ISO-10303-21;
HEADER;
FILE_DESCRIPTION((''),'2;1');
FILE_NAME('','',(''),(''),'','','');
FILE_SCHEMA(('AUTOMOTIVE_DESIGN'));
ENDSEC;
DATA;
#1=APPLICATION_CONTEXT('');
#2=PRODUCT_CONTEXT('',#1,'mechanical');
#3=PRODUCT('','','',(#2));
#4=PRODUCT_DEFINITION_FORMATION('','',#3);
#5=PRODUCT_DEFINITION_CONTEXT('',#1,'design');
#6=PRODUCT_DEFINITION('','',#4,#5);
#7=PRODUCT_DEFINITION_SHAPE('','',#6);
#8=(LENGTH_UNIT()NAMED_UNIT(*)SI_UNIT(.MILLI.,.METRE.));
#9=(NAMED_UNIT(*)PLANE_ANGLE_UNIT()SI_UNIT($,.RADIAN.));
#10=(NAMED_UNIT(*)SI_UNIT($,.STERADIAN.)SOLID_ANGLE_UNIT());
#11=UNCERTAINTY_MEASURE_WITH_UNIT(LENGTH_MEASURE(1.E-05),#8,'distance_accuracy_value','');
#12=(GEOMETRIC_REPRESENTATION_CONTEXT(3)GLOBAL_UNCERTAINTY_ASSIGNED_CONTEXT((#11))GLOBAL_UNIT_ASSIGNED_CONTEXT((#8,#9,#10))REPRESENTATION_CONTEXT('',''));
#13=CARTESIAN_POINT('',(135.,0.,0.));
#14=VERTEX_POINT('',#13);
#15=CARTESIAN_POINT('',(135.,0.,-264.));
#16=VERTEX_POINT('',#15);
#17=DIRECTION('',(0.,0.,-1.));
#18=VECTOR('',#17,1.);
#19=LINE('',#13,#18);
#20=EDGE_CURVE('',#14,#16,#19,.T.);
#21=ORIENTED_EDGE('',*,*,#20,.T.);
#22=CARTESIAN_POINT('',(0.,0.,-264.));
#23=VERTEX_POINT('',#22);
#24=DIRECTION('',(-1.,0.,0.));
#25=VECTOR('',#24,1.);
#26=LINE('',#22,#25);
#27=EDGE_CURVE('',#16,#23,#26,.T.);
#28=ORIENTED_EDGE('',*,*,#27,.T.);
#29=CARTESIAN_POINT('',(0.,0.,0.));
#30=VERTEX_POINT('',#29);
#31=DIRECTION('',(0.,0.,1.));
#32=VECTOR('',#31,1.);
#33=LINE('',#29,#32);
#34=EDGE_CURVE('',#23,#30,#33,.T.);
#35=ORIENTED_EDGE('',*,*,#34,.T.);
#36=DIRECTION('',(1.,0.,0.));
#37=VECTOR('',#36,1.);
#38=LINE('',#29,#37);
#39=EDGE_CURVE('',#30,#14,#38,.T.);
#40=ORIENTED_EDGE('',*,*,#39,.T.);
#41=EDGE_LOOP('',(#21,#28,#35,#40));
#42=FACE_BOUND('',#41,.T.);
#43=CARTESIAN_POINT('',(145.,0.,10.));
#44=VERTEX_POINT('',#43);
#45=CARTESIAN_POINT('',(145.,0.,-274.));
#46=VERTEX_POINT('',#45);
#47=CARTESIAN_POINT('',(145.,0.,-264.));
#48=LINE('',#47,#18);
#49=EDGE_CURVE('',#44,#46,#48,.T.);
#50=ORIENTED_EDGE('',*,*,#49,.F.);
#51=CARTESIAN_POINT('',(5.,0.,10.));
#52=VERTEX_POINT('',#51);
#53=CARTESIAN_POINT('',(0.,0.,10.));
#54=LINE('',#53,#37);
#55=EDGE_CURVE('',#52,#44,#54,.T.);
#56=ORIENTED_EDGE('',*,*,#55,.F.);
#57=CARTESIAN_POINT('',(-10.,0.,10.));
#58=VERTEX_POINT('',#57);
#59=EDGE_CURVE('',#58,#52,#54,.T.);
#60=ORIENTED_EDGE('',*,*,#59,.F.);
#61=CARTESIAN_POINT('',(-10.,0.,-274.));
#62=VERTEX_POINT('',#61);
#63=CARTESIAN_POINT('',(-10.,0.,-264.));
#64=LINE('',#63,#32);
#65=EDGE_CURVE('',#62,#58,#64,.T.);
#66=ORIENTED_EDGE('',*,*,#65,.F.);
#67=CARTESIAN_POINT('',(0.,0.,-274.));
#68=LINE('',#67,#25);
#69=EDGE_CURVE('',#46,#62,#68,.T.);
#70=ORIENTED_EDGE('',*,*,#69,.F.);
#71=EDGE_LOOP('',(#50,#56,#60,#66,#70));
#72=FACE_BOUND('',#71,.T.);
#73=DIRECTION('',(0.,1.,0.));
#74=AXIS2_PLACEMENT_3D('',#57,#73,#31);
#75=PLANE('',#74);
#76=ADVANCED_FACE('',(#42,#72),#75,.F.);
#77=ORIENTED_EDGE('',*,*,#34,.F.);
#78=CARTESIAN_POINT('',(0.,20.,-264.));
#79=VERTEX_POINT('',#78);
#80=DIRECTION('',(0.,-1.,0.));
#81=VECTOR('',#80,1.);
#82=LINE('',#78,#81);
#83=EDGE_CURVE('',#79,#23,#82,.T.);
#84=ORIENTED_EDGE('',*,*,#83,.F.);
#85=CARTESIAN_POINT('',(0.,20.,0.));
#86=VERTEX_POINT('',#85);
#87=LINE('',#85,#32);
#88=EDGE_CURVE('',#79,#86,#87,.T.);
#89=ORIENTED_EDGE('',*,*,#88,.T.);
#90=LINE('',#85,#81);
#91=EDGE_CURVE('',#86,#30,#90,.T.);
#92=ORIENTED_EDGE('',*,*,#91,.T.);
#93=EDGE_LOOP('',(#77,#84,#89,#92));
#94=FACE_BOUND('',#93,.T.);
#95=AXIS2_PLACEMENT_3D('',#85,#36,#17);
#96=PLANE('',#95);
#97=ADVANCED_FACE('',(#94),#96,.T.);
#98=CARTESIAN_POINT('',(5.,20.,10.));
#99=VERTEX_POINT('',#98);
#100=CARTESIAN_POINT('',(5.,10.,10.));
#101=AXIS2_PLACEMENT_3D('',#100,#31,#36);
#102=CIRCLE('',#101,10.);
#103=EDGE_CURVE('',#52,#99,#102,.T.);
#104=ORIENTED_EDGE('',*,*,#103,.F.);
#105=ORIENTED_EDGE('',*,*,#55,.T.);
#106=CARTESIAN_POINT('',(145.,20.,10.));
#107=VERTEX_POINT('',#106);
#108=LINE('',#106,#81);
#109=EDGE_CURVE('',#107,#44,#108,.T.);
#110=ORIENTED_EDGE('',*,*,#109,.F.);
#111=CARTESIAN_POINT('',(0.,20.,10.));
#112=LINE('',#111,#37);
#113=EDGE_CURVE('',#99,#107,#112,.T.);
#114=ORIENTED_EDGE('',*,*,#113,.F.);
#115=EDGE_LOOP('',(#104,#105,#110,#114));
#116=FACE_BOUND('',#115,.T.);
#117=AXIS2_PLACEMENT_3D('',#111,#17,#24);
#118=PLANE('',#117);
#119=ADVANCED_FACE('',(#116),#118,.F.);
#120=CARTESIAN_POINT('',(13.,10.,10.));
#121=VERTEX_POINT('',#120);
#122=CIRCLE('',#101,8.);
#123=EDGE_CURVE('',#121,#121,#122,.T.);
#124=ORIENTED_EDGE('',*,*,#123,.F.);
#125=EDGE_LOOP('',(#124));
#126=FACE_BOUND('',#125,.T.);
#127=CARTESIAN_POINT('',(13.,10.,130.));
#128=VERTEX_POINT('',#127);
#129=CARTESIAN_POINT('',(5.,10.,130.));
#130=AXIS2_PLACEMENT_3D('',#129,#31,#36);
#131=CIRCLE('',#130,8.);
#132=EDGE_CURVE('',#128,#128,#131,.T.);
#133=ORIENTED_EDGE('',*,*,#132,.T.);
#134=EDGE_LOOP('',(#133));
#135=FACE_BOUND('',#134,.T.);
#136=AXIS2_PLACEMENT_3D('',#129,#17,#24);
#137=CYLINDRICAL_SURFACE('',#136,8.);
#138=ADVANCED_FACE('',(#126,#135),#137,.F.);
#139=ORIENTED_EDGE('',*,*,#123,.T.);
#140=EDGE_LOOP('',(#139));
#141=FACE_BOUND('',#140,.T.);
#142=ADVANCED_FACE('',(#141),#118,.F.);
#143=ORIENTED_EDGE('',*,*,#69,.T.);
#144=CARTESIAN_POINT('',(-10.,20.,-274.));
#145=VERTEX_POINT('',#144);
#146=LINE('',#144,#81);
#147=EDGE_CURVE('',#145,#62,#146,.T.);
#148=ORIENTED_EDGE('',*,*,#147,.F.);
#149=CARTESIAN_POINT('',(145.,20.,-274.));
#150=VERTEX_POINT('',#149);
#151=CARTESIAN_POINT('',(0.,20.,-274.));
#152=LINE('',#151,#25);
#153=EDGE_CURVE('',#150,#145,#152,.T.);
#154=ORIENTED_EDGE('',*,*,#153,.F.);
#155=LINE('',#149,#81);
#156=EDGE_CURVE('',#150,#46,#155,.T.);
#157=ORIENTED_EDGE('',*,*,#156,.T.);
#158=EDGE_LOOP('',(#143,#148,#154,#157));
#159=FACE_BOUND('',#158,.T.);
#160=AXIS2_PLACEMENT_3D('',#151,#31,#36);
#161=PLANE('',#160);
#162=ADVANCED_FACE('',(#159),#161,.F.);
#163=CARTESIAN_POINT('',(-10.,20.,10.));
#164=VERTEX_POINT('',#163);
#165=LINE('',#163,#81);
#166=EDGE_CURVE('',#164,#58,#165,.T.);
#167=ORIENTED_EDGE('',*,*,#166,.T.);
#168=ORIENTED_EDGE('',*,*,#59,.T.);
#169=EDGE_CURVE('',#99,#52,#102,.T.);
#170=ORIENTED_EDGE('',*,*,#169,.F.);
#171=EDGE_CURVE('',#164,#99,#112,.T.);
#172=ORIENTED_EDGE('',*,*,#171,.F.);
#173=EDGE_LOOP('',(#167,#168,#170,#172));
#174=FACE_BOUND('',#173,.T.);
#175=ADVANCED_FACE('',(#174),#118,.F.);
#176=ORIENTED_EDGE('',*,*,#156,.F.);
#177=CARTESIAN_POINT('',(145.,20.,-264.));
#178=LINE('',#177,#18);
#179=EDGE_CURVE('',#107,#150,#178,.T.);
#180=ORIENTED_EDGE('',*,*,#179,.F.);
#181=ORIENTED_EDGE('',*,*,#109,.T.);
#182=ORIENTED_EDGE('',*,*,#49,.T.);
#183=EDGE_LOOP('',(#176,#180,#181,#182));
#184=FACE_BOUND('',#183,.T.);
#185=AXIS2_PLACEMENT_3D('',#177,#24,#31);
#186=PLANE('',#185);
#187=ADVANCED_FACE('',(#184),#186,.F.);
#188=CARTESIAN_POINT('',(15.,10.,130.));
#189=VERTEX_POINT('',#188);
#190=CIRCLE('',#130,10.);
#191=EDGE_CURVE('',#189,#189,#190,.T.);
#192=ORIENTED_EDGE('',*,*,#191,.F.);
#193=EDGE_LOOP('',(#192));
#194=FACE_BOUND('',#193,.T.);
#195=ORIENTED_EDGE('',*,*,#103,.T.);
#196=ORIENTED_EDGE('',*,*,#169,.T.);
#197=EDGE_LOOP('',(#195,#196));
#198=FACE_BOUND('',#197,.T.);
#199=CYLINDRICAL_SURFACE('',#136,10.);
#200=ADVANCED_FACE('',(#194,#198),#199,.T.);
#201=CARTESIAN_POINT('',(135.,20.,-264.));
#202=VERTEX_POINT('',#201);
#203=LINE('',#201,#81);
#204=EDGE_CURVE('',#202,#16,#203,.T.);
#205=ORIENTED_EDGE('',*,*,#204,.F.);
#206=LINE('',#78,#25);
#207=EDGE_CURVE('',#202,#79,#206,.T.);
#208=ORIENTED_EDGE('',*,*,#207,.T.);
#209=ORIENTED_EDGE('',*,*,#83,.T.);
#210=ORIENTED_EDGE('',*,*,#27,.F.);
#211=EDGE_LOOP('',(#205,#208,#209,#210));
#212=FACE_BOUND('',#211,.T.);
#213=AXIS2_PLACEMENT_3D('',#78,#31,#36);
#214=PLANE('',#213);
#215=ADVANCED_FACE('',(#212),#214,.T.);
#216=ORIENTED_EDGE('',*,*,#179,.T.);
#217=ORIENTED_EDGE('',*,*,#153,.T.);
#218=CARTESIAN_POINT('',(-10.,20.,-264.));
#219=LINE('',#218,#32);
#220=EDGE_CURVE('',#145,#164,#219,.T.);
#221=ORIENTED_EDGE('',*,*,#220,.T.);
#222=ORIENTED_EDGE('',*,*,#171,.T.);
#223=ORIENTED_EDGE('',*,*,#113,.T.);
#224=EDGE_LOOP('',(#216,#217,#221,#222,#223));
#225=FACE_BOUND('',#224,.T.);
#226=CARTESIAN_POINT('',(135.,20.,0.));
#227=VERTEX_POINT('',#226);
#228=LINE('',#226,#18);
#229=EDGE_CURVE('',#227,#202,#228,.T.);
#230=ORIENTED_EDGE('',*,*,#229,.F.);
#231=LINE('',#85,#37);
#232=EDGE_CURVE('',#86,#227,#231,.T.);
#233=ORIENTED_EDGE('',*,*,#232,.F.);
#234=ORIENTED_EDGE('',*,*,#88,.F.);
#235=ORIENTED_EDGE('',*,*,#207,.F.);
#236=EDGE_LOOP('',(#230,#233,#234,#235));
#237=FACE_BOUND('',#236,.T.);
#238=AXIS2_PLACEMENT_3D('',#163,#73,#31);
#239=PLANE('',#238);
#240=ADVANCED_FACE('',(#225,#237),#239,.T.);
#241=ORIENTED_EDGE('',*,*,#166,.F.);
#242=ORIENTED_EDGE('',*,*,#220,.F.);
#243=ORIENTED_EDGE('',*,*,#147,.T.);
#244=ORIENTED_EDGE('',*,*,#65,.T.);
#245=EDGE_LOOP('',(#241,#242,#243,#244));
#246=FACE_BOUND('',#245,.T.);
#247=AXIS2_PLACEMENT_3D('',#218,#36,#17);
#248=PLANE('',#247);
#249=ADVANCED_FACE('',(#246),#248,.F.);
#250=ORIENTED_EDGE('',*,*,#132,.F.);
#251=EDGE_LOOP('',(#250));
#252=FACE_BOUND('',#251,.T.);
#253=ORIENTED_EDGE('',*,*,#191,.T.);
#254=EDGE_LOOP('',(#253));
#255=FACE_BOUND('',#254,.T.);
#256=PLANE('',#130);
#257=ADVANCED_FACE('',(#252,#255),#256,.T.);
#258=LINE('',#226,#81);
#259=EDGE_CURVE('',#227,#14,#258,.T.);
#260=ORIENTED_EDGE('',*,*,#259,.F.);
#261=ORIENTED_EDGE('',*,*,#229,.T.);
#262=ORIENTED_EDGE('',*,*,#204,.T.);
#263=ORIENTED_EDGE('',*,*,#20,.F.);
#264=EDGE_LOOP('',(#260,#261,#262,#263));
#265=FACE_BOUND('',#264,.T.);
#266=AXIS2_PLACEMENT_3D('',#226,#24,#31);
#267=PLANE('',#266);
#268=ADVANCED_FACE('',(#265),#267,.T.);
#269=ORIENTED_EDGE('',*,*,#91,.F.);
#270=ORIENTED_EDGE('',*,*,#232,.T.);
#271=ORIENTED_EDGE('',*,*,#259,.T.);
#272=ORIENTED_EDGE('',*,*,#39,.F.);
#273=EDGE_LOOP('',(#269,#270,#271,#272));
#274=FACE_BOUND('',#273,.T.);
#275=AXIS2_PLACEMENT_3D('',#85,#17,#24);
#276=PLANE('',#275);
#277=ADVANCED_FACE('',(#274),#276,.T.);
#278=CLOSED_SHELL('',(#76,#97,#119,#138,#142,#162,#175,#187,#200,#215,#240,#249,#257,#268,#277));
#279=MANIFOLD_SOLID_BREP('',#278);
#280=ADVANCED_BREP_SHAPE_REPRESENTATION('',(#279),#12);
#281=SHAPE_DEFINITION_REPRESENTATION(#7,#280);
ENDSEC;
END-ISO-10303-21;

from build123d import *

# Parameters (mm, degrees)
SCHIZZO1_W                   = 155
SCHIZZO1_H                   = 284
SCHIZZO1_W_2                 = 135
SCHIZZO1_H_2                 = 264
ESTRUSIONE_SOTTILE1_DEPTH    = 20
SCHIZZO2_R                   = 10
SCHIZZO2_R_2                 = 8
ESTRUSIONE_ESTRUSIONE1_DEPTH = 120


with BuildPart() as part:
    # Schizzo1 → Estrusione-Sottile1 (new body)
    with BuildSketch(Plane(origin=(0, 0, 0), x_dir=(1, 0, 0), z_dir=(0, 1, 0))):
        with Locations((67.5, 132)):
            Rectangle(SCHIZZO1_W, SCHIZZO1_H)
        with Locations((67.5, 132)):
            Rectangle(SCHIZZO1_W_2, SCHIZZO1_H_2, mode=Mode.SUBTRACT)
    extrude(amount=ESTRUSIONE_SOTTILE1_DEPTH)

    # Schizzo2 → Estrusione-Estrusione1 (add)
    with BuildSketch(Plane.XY.offset(10)):
        with Locations(Location((5, 10, 0), (0, 0, 270))):
            Circle(SCHIZZO2_R)
        with Locations((5, 10)):
            Circle(SCHIZZO2_R_2, mode=Mode.SUBTRACT)
    extrude(amount=ESTRUSIONE_ESTRUSIONE1_DEPTH)


solid = part.part
